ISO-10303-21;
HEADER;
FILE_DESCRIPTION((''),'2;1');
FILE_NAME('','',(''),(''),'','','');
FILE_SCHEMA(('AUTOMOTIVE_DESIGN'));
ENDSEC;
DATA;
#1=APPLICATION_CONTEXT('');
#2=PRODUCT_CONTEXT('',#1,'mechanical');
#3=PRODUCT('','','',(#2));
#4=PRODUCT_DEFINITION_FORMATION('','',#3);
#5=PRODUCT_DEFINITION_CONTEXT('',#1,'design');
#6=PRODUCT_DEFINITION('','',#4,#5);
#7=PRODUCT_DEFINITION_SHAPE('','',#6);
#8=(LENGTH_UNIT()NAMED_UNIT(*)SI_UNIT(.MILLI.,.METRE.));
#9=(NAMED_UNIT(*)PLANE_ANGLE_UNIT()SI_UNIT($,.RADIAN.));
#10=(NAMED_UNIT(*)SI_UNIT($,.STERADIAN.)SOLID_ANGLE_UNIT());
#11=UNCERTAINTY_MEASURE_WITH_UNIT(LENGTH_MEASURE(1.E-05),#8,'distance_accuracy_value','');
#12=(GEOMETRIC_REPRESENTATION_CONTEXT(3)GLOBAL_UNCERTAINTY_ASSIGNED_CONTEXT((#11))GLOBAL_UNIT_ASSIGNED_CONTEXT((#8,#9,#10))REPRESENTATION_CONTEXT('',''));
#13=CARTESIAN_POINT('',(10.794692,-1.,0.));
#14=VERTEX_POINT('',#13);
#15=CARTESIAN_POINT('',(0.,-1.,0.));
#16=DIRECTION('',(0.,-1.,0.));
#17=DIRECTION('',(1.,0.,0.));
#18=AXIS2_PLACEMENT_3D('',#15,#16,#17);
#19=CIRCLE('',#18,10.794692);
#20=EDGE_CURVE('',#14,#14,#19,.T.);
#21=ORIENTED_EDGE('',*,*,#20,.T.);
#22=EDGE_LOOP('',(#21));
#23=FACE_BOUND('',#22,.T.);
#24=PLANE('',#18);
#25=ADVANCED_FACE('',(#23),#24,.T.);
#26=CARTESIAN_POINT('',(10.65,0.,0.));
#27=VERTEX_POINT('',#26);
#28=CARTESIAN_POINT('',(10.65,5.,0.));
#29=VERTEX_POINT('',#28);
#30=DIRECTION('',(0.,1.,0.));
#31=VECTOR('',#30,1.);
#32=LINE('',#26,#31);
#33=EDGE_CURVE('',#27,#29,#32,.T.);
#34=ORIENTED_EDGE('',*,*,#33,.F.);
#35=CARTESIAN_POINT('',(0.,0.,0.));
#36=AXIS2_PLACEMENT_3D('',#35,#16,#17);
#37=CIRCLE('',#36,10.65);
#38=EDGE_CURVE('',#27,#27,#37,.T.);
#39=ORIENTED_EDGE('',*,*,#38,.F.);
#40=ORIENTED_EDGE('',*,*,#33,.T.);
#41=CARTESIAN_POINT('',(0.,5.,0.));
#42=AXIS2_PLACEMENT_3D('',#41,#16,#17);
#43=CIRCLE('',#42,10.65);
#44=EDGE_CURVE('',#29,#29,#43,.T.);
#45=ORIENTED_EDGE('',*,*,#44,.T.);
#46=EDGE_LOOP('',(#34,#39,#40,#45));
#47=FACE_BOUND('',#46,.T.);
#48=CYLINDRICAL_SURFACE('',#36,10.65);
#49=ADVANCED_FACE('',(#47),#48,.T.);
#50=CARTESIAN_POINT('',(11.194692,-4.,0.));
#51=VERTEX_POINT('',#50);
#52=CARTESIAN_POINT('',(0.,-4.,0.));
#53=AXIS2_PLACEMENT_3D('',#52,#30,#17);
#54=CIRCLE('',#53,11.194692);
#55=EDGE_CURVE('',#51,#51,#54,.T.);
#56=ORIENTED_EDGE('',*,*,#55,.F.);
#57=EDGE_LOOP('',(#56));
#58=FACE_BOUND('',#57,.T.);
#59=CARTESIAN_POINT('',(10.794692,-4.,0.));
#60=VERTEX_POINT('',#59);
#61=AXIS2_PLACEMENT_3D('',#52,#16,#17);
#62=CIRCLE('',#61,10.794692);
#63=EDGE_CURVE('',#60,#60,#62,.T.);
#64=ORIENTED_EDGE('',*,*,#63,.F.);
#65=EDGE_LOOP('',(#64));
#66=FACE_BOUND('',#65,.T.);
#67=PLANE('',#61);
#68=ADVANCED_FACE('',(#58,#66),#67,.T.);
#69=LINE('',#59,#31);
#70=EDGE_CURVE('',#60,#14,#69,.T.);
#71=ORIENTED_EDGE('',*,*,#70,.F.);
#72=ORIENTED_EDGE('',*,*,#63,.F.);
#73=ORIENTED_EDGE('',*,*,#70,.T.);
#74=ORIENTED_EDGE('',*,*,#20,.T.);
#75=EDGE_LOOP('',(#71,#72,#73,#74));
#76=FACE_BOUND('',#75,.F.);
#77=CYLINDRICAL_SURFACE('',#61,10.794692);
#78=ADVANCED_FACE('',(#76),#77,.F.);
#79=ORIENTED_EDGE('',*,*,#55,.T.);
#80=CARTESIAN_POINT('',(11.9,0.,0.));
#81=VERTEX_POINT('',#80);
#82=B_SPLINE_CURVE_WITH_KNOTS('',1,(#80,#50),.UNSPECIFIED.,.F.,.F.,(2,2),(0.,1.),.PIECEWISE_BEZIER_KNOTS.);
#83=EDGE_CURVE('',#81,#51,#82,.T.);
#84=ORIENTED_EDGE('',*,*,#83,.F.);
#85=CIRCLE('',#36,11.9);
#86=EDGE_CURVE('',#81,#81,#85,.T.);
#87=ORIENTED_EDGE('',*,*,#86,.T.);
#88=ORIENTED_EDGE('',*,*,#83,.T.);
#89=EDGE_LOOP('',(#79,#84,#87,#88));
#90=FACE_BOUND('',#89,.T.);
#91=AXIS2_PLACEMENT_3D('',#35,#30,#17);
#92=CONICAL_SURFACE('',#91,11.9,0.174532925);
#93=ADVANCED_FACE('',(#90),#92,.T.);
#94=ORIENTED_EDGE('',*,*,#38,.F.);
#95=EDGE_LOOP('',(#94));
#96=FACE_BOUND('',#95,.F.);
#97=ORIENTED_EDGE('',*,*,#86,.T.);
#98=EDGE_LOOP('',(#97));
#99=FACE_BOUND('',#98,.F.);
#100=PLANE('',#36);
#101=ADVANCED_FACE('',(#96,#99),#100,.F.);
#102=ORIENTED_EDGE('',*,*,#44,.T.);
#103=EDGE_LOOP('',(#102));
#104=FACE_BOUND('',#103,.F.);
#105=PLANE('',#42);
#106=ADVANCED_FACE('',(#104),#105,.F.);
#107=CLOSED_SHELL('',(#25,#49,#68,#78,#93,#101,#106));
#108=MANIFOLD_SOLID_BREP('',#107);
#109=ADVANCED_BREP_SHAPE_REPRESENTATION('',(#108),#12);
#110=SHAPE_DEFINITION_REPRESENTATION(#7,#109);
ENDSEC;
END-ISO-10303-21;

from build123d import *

# Parameters (mm, degrees)
F0_R     = 10.65
F1_DEPTH = 5
F0_R_2   = 11.9
F2_DEPTH = 4
F2_TAPER = 10
F3_R     = 10.7946920772
F4_DEPTH = 3


with BuildPart() as f1:
    # F0 (on Front) → F1 (new body)
    with BuildSketch(Plane.XZ):
        Circle(F0_R)
    extrude(amount=-F1_DEPTH)

    # F0 (on Front) → F2 (join)
    with BuildSketch(Plane.XZ):
        Circle(F0_R_2)
        Circle(F0_R, mode=Mode.SUBTRACT)
        Circle(F0_R)
    extrude(amount=F2_DEPTH, taper=F2_TAPER)

    # F3 (on face) → F4 (cut)
    with BuildSketch(Plane.XZ.offset(4)):
        Circle(F3_R)
    extrude(amount=-F4_DEPTH, mode=Mode.SUBTRACT)


solid = f1.part
